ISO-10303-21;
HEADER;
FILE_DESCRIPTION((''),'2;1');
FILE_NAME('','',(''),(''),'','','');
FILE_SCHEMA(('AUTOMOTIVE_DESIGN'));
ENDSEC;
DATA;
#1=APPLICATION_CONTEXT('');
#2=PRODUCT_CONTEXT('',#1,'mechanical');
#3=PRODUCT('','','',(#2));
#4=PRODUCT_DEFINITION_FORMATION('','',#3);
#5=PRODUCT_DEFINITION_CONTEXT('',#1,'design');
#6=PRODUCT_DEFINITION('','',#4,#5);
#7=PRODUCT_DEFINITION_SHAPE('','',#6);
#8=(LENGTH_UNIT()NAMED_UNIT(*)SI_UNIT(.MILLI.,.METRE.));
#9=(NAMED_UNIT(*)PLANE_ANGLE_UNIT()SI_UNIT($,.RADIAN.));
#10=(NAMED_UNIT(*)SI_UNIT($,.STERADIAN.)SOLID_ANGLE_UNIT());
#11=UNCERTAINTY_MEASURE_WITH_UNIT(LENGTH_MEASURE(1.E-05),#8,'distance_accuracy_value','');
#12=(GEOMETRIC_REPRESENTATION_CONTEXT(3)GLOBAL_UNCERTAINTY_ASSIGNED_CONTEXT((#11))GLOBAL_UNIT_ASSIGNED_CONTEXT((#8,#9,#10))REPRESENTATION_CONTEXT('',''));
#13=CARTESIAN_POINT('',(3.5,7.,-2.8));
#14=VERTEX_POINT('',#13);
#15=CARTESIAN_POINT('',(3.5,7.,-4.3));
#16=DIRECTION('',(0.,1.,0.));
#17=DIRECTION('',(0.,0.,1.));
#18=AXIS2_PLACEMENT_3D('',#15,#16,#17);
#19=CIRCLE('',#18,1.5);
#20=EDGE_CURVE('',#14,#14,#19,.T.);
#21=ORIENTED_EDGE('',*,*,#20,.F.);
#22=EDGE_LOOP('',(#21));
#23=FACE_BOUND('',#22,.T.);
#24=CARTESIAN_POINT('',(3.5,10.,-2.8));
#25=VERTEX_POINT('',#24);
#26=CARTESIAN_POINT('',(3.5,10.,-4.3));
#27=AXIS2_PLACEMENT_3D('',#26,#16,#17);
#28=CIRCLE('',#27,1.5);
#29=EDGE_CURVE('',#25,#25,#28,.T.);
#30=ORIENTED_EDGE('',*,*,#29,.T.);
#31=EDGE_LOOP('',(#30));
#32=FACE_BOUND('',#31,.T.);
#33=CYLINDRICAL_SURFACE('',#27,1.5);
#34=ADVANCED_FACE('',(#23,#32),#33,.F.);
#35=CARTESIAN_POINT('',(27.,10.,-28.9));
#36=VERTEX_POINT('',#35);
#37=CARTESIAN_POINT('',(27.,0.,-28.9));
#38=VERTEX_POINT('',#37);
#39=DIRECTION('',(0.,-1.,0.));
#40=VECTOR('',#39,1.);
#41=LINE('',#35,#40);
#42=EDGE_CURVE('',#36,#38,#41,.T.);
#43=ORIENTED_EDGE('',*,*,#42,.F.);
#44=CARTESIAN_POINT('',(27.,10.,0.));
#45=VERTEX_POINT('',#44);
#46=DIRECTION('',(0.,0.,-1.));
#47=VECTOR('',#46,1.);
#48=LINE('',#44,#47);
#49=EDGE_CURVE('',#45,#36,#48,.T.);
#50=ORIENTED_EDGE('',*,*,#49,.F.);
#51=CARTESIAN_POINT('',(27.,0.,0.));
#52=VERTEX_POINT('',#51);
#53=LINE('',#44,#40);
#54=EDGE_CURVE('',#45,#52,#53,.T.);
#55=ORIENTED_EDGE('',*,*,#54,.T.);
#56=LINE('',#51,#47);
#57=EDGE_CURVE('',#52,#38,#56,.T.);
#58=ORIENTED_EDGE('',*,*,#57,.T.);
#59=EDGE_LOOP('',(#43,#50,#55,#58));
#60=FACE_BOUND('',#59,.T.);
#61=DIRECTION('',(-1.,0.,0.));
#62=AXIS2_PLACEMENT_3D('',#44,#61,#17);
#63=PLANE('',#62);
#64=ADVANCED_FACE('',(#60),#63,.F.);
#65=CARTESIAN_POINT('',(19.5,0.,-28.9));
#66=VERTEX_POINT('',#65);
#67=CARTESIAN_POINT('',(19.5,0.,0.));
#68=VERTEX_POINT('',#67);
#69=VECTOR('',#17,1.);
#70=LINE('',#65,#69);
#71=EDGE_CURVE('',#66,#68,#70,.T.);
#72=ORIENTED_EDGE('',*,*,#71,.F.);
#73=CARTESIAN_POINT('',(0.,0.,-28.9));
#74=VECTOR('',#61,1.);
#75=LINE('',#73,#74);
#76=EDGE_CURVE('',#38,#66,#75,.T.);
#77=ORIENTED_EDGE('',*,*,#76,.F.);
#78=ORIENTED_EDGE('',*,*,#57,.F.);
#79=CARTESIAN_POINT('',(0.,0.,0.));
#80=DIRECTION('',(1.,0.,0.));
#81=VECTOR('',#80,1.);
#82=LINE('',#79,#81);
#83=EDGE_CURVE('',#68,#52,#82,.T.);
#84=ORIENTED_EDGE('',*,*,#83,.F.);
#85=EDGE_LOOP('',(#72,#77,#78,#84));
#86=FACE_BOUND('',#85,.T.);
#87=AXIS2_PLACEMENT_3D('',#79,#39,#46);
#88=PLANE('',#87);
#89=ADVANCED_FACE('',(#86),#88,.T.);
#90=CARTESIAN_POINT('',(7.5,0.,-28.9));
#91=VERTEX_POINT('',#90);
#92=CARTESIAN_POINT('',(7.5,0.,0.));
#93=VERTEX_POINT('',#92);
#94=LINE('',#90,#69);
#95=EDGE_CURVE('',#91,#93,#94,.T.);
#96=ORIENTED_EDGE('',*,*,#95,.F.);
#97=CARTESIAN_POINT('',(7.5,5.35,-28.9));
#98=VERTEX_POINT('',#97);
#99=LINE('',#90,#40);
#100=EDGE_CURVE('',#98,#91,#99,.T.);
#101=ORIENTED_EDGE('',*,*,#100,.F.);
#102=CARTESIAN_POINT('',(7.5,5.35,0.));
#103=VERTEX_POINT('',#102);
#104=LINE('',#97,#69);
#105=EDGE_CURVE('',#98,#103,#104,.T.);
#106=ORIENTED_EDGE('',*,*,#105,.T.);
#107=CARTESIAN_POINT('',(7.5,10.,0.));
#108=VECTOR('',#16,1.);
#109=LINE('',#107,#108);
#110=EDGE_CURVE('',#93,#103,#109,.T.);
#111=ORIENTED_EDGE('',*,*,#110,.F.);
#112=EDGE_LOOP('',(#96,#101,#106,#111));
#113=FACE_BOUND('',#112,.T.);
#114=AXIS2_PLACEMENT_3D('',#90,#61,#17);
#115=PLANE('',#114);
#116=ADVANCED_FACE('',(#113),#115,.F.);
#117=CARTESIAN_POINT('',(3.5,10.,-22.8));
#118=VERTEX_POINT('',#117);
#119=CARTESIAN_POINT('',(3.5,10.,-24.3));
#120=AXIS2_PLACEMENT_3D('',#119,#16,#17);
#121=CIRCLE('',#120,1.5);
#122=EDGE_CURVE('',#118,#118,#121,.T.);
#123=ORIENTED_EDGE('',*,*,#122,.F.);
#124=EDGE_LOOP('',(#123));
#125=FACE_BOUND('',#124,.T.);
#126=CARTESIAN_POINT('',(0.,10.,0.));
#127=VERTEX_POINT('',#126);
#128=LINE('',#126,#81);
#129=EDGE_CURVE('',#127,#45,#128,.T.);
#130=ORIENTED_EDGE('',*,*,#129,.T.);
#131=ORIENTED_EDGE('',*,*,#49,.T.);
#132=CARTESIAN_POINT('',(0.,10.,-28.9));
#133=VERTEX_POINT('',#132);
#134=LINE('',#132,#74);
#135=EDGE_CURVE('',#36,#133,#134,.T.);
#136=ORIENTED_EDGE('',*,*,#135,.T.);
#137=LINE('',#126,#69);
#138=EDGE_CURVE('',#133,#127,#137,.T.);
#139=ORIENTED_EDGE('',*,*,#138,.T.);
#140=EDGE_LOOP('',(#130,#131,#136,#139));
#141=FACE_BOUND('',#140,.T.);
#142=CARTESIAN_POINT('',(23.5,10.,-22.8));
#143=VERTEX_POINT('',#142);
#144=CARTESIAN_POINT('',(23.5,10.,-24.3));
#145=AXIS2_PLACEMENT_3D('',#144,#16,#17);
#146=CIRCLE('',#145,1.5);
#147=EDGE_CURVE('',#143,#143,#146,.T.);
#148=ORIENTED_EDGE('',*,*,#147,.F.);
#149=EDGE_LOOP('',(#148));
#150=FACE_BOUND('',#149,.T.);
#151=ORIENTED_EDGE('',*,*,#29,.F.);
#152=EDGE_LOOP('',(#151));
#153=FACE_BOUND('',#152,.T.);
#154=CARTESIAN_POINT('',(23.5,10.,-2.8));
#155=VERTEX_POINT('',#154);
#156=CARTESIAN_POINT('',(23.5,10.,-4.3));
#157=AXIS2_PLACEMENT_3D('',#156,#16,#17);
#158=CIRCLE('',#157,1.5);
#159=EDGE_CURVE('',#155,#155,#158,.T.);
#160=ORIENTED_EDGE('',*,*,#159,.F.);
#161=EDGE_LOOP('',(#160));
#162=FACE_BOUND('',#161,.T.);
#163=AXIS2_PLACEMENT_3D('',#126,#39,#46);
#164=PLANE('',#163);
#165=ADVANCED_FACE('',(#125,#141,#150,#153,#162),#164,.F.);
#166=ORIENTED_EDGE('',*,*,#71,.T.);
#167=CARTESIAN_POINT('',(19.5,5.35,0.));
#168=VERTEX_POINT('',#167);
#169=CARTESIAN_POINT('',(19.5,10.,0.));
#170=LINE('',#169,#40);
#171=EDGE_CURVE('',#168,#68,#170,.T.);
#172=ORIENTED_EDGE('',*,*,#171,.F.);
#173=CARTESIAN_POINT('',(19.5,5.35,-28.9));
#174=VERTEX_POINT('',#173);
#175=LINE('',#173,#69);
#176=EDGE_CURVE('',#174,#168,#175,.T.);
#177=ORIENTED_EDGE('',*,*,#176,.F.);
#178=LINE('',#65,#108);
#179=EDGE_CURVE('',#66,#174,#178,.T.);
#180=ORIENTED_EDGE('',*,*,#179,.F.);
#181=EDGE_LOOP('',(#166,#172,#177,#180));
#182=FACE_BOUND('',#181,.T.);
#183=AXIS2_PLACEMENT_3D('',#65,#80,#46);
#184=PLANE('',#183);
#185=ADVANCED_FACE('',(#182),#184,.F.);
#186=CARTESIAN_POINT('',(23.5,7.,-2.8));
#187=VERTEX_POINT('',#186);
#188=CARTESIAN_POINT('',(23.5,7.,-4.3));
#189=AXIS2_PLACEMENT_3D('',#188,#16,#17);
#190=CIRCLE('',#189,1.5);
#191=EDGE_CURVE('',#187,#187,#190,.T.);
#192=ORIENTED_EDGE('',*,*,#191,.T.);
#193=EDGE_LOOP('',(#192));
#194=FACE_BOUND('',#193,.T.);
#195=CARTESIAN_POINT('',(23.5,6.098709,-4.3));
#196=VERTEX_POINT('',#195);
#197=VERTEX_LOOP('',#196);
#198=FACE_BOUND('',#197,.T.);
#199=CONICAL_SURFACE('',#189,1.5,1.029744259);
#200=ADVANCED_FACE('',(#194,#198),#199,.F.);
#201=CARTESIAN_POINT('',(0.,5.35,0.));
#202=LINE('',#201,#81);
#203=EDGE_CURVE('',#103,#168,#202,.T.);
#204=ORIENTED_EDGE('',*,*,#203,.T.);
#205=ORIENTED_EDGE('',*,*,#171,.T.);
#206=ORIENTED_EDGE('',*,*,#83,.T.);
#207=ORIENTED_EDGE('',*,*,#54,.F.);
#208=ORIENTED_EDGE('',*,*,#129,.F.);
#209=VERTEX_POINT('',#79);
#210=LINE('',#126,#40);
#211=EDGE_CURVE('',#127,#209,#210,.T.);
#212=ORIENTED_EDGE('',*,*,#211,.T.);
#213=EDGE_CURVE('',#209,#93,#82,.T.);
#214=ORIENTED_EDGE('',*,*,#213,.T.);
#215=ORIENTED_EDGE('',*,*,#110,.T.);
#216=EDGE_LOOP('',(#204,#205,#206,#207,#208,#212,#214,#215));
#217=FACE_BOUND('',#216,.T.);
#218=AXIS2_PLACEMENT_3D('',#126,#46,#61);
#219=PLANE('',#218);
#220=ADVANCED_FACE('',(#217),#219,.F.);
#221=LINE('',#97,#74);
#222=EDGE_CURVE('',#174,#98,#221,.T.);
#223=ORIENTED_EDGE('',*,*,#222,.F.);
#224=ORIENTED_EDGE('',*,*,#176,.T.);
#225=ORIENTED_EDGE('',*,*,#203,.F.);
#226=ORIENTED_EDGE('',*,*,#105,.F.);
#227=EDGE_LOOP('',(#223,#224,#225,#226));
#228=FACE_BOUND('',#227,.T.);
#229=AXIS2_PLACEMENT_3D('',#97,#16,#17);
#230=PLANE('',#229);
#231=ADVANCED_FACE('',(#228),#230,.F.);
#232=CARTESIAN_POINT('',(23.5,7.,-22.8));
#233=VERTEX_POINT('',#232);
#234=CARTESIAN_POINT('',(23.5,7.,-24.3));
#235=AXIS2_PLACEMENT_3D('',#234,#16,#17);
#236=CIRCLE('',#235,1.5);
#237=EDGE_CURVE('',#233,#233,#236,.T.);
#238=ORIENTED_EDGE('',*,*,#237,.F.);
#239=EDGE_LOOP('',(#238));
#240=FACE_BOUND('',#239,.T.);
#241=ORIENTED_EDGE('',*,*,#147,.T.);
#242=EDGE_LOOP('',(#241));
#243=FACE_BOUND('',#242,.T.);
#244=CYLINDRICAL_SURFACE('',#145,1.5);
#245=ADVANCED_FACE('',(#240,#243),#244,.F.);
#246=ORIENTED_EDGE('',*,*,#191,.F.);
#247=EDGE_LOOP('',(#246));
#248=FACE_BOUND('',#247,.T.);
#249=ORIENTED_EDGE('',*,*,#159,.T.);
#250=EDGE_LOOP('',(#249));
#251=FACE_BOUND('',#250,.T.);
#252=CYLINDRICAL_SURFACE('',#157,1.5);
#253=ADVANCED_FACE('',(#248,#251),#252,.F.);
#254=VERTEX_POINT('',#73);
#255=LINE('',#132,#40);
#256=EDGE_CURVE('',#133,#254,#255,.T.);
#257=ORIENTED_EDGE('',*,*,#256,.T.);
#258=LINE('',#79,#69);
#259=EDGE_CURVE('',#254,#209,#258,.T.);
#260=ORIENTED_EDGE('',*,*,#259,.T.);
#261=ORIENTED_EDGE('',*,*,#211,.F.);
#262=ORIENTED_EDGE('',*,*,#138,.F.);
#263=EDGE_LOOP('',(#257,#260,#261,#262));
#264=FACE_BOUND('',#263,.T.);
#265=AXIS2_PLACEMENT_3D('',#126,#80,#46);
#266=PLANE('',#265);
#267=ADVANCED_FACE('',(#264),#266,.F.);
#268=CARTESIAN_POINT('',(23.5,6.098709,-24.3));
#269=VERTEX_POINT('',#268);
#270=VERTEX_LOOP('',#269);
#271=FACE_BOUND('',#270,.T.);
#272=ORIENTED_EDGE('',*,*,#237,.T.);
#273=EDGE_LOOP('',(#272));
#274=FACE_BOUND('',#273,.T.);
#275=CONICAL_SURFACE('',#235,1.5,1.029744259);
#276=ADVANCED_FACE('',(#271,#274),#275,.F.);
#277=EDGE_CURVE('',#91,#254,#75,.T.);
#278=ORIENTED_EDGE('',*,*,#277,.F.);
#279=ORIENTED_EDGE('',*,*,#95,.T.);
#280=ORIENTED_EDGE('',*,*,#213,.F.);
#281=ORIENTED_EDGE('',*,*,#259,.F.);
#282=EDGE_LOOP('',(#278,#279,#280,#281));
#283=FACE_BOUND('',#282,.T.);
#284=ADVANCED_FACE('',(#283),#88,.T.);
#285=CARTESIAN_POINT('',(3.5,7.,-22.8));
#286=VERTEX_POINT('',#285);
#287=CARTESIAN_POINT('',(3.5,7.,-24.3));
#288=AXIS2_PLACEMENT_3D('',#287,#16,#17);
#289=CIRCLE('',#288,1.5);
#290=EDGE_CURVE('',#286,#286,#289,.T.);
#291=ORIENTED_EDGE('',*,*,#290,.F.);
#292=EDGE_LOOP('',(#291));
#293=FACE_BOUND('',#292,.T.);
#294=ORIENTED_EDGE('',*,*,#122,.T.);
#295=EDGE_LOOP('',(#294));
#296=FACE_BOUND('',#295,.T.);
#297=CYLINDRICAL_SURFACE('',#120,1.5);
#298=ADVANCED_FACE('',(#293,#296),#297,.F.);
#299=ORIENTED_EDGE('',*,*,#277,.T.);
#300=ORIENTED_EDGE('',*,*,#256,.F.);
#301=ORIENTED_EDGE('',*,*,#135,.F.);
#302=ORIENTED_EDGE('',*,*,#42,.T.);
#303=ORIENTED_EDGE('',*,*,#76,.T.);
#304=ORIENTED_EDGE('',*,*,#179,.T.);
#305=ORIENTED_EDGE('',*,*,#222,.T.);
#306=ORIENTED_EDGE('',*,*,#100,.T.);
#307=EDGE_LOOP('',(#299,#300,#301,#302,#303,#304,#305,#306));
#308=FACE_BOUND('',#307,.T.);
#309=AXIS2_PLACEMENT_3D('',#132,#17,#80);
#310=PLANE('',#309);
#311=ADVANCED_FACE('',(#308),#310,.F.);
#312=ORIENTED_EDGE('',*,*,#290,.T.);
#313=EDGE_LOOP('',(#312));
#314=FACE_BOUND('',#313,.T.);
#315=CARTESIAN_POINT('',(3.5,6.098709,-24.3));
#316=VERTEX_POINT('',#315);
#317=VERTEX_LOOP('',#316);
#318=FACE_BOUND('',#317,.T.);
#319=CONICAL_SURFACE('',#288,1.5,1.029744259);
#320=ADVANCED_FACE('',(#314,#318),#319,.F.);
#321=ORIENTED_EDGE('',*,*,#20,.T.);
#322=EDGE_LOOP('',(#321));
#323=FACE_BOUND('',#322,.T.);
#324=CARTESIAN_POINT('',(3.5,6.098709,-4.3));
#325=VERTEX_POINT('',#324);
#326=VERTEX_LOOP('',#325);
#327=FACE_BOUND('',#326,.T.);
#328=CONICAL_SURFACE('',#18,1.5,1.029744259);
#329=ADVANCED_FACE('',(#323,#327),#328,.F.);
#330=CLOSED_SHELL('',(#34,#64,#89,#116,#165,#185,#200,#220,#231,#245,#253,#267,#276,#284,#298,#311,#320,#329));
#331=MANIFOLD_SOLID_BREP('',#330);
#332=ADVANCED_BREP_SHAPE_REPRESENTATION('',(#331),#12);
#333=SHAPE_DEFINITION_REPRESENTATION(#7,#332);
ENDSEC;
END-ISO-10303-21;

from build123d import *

# Parameters (mm, degrees)
SKETCH1_W                 = 27
SKETCH1_H                 = 28.9
BOSS_EXTRUDE1_DEPTH       = 10
SKETCH2_W                 = 12
SKETCH2_H                 = 5.35
CUT_EXTRUDE1_DEPTH        = 1
CUT_EXTRUDE1_DEPTH_BACK   = 29.9
F_3_0MM_DOWEL_HOLE1_D     = 3
F_3_0MM_DOWEL_HOLE1_DEPTH = 3
F_3_0MM_DOWEL_HOLE1_TIP   = 0.901290929


with BuildPart() as part:
    # Sketch1 → Boss-Extrude1 (new body)
    with BuildSketch(Plane(origin=(0, 0, 0), x_dir=(1, 0, 0), z_dir=(0, 1, 0))):
        with Locations((13.5, 14.45)):
            Rectangle(SKETCH1_W, SKETCH1_H)
    extrude(amount=BOSS_EXTRUDE1_DEPTH)

    # Sketch2 → Cut-Extrude1 (cut, two sides)
    with BuildSketch(Plane.XY) as cut_extrude1_sk:
        with Locations((13.5, 2.675)):
            Rectangle(SKETCH2_W, SKETCH2_H)
    extrude(amount=CUT_EXTRUDE1_DEPTH, mode=Mode.SUBTRACT)
    extrude(cut_extrude1_sk.sketch, amount=-CUT_EXTRUDE1_DEPTH_BACK, mode=Mode.SUBTRACT)

    # Ø3.0mm Dowel Hole1
    with Locations(Plane(origin=(0, 10, 0), x_dir=(1, 0, 0), z_dir=(0, 1, 0))):
        with Locations((3.5, 24.3), (23.5, 24.3), (3.5, 4.3), (23.5, 4.3)):
            Hole(F_3_0MM_DOWEL_HOLE1_D / 2, depth=F_3_0MM_DOWEL_HOLE1_DEPTH)
            with Locations((0, 0, -(F_3_0MM_DOWEL_HOLE1_DEPTH + F_3_0MM_DOWEL_HOLE1_TIP / 2))):  # 118° drill point
                Cone(0, F_3_0MM_DOWEL_HOLE1_D / 2, F_3_0MM_DOWEL_HOLE1_TIP, mode=Mode.SUBTRACT)


solid = part.part
